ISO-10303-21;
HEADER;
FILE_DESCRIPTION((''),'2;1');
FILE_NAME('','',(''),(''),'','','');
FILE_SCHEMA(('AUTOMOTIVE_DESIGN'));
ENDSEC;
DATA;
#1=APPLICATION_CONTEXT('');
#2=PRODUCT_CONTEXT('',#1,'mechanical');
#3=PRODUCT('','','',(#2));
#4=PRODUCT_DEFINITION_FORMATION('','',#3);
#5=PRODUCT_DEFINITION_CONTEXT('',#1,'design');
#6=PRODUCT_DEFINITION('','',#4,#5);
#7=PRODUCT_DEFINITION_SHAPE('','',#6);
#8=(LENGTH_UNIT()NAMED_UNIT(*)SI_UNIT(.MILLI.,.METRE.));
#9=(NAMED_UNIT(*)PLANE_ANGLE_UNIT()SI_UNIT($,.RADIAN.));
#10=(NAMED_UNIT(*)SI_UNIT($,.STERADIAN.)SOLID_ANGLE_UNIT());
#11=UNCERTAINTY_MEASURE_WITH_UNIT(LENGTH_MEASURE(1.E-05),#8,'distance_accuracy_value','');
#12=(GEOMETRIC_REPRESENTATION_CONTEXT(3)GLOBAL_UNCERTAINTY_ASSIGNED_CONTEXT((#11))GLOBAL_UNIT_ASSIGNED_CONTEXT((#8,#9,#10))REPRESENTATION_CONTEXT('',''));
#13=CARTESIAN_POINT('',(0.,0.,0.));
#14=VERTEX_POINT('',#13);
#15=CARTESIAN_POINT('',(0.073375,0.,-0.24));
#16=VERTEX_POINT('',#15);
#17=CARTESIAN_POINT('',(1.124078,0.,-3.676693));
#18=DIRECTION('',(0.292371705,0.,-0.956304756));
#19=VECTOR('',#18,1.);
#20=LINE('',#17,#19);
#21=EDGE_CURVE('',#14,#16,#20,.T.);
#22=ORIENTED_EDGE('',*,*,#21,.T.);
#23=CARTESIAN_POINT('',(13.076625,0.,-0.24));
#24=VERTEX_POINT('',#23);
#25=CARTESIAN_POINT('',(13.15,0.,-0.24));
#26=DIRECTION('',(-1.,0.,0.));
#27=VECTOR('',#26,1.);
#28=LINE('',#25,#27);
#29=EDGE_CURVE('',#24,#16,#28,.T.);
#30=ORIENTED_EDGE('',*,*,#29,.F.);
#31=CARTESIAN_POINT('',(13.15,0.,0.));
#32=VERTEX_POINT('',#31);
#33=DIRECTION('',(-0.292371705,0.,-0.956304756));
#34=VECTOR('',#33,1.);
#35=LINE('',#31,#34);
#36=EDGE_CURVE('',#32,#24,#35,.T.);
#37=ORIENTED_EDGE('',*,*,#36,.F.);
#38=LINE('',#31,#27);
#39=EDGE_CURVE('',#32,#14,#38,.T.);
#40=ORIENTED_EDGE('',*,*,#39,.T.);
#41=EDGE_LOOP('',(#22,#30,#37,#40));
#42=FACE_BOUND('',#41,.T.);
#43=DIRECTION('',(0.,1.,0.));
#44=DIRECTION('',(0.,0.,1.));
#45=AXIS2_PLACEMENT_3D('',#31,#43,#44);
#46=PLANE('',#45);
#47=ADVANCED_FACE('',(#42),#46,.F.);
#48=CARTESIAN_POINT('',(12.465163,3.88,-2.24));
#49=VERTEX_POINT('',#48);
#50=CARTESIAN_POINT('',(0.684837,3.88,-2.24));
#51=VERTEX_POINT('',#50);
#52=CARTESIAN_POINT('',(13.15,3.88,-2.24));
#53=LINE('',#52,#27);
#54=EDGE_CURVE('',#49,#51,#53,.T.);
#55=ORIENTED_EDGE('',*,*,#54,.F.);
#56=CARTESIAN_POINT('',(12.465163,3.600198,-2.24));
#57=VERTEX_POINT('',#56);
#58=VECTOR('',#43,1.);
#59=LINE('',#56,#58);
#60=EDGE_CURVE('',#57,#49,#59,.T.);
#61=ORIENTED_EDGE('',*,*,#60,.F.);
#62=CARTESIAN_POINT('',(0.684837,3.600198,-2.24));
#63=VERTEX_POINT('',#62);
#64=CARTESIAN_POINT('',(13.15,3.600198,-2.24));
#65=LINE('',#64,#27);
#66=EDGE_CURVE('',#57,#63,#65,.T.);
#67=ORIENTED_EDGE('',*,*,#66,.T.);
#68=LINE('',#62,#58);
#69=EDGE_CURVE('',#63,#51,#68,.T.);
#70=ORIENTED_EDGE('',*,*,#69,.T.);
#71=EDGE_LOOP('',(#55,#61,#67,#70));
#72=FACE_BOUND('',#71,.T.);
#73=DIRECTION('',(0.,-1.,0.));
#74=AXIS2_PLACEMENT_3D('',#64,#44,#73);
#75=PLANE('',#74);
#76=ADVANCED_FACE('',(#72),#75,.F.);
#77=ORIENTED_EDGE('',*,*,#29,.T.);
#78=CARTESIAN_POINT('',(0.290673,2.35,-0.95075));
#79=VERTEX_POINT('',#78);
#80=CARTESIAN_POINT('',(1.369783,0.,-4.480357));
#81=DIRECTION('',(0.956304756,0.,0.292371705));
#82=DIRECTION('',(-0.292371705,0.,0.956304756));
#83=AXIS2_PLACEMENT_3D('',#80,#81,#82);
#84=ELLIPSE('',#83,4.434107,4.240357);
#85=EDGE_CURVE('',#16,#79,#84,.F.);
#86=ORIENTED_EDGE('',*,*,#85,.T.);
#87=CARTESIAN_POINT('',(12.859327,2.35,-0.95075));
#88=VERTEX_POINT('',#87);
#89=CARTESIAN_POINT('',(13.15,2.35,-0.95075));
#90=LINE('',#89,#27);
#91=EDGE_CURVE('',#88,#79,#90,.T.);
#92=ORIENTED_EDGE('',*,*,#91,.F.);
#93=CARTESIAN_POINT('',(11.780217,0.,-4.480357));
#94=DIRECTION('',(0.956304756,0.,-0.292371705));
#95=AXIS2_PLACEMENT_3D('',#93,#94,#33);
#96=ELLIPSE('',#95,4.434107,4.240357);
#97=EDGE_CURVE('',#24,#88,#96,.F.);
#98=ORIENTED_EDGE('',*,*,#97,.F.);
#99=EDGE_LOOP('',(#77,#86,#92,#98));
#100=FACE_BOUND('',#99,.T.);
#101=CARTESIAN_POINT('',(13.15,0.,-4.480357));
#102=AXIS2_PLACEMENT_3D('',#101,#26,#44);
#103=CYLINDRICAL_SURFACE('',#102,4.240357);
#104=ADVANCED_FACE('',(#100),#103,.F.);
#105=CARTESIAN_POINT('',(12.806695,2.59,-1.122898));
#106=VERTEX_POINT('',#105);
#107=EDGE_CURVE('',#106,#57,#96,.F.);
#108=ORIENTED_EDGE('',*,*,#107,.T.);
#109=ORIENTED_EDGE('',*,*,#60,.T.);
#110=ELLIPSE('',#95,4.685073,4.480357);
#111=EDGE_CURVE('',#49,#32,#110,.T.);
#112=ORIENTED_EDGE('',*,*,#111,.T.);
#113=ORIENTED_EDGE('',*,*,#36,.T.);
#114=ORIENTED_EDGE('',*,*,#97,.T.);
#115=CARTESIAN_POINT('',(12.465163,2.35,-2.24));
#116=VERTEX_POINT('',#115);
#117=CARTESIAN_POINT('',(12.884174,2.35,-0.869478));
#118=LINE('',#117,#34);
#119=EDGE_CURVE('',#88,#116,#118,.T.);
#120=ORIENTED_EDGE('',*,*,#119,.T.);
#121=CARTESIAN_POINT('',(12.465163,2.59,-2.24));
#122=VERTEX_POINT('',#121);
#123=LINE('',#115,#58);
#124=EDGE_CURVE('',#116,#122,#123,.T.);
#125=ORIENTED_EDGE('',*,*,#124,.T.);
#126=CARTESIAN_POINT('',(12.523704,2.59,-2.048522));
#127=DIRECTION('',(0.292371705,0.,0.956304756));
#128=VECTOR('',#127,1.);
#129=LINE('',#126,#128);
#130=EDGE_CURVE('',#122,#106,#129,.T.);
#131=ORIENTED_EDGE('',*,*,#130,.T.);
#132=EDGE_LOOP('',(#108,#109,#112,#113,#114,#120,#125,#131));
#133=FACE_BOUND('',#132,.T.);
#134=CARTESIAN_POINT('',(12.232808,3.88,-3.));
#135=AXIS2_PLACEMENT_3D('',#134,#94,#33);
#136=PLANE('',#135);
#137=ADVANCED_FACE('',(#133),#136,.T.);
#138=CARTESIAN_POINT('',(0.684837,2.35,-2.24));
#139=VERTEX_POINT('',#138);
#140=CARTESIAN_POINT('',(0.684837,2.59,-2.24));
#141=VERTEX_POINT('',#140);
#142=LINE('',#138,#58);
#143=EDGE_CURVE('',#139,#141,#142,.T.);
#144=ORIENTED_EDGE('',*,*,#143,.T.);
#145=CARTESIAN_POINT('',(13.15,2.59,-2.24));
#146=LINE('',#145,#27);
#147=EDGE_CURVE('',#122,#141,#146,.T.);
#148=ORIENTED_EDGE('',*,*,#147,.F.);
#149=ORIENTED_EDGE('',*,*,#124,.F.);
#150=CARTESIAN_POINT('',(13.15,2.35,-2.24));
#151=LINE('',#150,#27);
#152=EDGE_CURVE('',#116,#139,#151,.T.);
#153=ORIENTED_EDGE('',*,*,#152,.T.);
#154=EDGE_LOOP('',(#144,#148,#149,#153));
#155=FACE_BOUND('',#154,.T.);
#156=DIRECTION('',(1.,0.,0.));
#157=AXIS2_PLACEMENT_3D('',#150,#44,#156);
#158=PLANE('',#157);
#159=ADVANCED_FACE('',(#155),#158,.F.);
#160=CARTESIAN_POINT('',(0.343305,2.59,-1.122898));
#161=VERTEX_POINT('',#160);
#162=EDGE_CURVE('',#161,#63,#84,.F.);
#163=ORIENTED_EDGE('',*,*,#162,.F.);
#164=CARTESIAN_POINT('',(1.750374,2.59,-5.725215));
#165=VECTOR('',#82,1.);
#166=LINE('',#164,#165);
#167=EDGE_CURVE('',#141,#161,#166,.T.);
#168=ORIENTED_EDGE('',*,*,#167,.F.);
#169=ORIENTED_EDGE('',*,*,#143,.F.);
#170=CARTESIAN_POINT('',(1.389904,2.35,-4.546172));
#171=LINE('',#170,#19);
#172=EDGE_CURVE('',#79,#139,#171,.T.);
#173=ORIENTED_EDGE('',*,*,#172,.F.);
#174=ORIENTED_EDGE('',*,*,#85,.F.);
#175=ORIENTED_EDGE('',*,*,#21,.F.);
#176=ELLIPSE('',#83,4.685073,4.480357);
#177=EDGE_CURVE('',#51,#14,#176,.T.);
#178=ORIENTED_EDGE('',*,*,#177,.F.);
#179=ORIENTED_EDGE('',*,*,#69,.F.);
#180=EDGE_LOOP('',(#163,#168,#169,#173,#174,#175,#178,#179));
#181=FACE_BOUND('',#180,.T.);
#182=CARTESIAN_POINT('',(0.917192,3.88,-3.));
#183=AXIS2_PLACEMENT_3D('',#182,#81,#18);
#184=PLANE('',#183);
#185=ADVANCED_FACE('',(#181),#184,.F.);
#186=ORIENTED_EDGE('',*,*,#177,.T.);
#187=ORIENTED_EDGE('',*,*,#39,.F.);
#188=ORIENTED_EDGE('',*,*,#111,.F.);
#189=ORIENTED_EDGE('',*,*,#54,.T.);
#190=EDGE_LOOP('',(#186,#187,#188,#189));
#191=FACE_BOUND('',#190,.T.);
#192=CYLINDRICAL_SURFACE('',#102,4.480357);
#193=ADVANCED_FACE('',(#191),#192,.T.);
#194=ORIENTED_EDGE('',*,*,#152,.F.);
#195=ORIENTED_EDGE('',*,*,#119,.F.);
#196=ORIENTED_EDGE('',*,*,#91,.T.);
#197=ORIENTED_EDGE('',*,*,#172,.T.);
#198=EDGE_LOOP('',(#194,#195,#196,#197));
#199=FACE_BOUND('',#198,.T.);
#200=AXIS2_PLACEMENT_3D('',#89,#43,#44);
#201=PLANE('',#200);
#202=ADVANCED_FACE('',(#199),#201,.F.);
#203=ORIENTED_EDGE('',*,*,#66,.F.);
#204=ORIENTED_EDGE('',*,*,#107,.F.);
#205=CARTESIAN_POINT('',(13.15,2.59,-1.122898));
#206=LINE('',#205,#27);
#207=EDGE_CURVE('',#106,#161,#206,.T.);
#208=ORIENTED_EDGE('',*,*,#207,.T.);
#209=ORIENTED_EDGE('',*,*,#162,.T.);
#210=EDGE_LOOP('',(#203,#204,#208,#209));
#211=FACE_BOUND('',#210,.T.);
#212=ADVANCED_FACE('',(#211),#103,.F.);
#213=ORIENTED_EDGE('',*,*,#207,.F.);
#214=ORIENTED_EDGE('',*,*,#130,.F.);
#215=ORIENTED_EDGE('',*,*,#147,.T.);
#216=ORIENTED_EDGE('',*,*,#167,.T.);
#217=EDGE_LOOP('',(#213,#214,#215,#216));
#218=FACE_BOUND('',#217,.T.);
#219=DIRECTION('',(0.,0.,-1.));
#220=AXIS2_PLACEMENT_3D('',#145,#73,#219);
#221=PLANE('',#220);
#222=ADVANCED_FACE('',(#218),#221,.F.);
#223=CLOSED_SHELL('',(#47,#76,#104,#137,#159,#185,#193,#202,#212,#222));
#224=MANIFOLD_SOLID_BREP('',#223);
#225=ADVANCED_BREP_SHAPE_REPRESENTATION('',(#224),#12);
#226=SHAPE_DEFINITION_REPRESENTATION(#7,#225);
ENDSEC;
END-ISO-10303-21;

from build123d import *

# Parameters (mm, degrees)
BOSS_EXTRUDE1_DEPTH     = 13.15
CUT_EXTRUDE2_DEPTH      = 14.892246039
CUT_EXTRUDE2_DEPTH_BACK = 13
SKETCH2_OUTSIDE_W       = 17.928
SKETCH2_OUTSIDE_H       = 7.018


with BuildPart() as part:
    # Sketch1 → Boss-Extrude1 (new body)
    with BuildSketch(Plane(origin=(0, 0, 0), x_dir=(0, 0, -1), z_dir=(1, 0, 0))):
        with BuildLine():
            Line((0, 0), (0.24, 0))
            ThreePointArc((0.24, 0), (0.421575008, 1.227565185), (0.9507497, 2.35))
            Line((0.9507497, 2.35), (2.24, 2.35))
            Line((2.24, 2.35), (2.24, 2.59))
            Line((2.24, 2.59), (1.122898476, 2.59))
            ThreePointArc((1.122898476, 2.59), (1.636238533, 3.145094281), (2.24, 3.600198407))
            Line((2.24, 3.600198407), (2.24, 3.88))
            ThreePointArc((2.24, 3.88), (0.60020249, 2.240089284), (0, 0))
        make_face()
    extrude(amount=BOSS_EXTRUDE1_DEPTH)

    # Sketch2 outside → Cut-Extrude2 (cut, two sides: drawn at the far end of the back side and taken through both)
    with BuildSketch(Plane(origin=(0, 0, 0), x_dir=(1, 0, 0), z_dir=(0, 1, 0)).offset(-CUT_EXTRUDE2_DEPTH_BACK)):
        with Locations((6.575, 1.12)):
            Rectangle(SKETCH2_OUTSIDE_W, SKETCH2_OUTSIDE_H)
        Polygon((0.917192044, 3), (12.232807956, 3), (13.15, 0), (0, 0), align=None, mode=Mode.SUBTRACT)
    extrude(amount=CUT_EXTRUDE2_DEPTH + CUT_EXTRUDE2_DEPTH_BACK, mode=Mode.SUBTRACT)


solid = part.part
